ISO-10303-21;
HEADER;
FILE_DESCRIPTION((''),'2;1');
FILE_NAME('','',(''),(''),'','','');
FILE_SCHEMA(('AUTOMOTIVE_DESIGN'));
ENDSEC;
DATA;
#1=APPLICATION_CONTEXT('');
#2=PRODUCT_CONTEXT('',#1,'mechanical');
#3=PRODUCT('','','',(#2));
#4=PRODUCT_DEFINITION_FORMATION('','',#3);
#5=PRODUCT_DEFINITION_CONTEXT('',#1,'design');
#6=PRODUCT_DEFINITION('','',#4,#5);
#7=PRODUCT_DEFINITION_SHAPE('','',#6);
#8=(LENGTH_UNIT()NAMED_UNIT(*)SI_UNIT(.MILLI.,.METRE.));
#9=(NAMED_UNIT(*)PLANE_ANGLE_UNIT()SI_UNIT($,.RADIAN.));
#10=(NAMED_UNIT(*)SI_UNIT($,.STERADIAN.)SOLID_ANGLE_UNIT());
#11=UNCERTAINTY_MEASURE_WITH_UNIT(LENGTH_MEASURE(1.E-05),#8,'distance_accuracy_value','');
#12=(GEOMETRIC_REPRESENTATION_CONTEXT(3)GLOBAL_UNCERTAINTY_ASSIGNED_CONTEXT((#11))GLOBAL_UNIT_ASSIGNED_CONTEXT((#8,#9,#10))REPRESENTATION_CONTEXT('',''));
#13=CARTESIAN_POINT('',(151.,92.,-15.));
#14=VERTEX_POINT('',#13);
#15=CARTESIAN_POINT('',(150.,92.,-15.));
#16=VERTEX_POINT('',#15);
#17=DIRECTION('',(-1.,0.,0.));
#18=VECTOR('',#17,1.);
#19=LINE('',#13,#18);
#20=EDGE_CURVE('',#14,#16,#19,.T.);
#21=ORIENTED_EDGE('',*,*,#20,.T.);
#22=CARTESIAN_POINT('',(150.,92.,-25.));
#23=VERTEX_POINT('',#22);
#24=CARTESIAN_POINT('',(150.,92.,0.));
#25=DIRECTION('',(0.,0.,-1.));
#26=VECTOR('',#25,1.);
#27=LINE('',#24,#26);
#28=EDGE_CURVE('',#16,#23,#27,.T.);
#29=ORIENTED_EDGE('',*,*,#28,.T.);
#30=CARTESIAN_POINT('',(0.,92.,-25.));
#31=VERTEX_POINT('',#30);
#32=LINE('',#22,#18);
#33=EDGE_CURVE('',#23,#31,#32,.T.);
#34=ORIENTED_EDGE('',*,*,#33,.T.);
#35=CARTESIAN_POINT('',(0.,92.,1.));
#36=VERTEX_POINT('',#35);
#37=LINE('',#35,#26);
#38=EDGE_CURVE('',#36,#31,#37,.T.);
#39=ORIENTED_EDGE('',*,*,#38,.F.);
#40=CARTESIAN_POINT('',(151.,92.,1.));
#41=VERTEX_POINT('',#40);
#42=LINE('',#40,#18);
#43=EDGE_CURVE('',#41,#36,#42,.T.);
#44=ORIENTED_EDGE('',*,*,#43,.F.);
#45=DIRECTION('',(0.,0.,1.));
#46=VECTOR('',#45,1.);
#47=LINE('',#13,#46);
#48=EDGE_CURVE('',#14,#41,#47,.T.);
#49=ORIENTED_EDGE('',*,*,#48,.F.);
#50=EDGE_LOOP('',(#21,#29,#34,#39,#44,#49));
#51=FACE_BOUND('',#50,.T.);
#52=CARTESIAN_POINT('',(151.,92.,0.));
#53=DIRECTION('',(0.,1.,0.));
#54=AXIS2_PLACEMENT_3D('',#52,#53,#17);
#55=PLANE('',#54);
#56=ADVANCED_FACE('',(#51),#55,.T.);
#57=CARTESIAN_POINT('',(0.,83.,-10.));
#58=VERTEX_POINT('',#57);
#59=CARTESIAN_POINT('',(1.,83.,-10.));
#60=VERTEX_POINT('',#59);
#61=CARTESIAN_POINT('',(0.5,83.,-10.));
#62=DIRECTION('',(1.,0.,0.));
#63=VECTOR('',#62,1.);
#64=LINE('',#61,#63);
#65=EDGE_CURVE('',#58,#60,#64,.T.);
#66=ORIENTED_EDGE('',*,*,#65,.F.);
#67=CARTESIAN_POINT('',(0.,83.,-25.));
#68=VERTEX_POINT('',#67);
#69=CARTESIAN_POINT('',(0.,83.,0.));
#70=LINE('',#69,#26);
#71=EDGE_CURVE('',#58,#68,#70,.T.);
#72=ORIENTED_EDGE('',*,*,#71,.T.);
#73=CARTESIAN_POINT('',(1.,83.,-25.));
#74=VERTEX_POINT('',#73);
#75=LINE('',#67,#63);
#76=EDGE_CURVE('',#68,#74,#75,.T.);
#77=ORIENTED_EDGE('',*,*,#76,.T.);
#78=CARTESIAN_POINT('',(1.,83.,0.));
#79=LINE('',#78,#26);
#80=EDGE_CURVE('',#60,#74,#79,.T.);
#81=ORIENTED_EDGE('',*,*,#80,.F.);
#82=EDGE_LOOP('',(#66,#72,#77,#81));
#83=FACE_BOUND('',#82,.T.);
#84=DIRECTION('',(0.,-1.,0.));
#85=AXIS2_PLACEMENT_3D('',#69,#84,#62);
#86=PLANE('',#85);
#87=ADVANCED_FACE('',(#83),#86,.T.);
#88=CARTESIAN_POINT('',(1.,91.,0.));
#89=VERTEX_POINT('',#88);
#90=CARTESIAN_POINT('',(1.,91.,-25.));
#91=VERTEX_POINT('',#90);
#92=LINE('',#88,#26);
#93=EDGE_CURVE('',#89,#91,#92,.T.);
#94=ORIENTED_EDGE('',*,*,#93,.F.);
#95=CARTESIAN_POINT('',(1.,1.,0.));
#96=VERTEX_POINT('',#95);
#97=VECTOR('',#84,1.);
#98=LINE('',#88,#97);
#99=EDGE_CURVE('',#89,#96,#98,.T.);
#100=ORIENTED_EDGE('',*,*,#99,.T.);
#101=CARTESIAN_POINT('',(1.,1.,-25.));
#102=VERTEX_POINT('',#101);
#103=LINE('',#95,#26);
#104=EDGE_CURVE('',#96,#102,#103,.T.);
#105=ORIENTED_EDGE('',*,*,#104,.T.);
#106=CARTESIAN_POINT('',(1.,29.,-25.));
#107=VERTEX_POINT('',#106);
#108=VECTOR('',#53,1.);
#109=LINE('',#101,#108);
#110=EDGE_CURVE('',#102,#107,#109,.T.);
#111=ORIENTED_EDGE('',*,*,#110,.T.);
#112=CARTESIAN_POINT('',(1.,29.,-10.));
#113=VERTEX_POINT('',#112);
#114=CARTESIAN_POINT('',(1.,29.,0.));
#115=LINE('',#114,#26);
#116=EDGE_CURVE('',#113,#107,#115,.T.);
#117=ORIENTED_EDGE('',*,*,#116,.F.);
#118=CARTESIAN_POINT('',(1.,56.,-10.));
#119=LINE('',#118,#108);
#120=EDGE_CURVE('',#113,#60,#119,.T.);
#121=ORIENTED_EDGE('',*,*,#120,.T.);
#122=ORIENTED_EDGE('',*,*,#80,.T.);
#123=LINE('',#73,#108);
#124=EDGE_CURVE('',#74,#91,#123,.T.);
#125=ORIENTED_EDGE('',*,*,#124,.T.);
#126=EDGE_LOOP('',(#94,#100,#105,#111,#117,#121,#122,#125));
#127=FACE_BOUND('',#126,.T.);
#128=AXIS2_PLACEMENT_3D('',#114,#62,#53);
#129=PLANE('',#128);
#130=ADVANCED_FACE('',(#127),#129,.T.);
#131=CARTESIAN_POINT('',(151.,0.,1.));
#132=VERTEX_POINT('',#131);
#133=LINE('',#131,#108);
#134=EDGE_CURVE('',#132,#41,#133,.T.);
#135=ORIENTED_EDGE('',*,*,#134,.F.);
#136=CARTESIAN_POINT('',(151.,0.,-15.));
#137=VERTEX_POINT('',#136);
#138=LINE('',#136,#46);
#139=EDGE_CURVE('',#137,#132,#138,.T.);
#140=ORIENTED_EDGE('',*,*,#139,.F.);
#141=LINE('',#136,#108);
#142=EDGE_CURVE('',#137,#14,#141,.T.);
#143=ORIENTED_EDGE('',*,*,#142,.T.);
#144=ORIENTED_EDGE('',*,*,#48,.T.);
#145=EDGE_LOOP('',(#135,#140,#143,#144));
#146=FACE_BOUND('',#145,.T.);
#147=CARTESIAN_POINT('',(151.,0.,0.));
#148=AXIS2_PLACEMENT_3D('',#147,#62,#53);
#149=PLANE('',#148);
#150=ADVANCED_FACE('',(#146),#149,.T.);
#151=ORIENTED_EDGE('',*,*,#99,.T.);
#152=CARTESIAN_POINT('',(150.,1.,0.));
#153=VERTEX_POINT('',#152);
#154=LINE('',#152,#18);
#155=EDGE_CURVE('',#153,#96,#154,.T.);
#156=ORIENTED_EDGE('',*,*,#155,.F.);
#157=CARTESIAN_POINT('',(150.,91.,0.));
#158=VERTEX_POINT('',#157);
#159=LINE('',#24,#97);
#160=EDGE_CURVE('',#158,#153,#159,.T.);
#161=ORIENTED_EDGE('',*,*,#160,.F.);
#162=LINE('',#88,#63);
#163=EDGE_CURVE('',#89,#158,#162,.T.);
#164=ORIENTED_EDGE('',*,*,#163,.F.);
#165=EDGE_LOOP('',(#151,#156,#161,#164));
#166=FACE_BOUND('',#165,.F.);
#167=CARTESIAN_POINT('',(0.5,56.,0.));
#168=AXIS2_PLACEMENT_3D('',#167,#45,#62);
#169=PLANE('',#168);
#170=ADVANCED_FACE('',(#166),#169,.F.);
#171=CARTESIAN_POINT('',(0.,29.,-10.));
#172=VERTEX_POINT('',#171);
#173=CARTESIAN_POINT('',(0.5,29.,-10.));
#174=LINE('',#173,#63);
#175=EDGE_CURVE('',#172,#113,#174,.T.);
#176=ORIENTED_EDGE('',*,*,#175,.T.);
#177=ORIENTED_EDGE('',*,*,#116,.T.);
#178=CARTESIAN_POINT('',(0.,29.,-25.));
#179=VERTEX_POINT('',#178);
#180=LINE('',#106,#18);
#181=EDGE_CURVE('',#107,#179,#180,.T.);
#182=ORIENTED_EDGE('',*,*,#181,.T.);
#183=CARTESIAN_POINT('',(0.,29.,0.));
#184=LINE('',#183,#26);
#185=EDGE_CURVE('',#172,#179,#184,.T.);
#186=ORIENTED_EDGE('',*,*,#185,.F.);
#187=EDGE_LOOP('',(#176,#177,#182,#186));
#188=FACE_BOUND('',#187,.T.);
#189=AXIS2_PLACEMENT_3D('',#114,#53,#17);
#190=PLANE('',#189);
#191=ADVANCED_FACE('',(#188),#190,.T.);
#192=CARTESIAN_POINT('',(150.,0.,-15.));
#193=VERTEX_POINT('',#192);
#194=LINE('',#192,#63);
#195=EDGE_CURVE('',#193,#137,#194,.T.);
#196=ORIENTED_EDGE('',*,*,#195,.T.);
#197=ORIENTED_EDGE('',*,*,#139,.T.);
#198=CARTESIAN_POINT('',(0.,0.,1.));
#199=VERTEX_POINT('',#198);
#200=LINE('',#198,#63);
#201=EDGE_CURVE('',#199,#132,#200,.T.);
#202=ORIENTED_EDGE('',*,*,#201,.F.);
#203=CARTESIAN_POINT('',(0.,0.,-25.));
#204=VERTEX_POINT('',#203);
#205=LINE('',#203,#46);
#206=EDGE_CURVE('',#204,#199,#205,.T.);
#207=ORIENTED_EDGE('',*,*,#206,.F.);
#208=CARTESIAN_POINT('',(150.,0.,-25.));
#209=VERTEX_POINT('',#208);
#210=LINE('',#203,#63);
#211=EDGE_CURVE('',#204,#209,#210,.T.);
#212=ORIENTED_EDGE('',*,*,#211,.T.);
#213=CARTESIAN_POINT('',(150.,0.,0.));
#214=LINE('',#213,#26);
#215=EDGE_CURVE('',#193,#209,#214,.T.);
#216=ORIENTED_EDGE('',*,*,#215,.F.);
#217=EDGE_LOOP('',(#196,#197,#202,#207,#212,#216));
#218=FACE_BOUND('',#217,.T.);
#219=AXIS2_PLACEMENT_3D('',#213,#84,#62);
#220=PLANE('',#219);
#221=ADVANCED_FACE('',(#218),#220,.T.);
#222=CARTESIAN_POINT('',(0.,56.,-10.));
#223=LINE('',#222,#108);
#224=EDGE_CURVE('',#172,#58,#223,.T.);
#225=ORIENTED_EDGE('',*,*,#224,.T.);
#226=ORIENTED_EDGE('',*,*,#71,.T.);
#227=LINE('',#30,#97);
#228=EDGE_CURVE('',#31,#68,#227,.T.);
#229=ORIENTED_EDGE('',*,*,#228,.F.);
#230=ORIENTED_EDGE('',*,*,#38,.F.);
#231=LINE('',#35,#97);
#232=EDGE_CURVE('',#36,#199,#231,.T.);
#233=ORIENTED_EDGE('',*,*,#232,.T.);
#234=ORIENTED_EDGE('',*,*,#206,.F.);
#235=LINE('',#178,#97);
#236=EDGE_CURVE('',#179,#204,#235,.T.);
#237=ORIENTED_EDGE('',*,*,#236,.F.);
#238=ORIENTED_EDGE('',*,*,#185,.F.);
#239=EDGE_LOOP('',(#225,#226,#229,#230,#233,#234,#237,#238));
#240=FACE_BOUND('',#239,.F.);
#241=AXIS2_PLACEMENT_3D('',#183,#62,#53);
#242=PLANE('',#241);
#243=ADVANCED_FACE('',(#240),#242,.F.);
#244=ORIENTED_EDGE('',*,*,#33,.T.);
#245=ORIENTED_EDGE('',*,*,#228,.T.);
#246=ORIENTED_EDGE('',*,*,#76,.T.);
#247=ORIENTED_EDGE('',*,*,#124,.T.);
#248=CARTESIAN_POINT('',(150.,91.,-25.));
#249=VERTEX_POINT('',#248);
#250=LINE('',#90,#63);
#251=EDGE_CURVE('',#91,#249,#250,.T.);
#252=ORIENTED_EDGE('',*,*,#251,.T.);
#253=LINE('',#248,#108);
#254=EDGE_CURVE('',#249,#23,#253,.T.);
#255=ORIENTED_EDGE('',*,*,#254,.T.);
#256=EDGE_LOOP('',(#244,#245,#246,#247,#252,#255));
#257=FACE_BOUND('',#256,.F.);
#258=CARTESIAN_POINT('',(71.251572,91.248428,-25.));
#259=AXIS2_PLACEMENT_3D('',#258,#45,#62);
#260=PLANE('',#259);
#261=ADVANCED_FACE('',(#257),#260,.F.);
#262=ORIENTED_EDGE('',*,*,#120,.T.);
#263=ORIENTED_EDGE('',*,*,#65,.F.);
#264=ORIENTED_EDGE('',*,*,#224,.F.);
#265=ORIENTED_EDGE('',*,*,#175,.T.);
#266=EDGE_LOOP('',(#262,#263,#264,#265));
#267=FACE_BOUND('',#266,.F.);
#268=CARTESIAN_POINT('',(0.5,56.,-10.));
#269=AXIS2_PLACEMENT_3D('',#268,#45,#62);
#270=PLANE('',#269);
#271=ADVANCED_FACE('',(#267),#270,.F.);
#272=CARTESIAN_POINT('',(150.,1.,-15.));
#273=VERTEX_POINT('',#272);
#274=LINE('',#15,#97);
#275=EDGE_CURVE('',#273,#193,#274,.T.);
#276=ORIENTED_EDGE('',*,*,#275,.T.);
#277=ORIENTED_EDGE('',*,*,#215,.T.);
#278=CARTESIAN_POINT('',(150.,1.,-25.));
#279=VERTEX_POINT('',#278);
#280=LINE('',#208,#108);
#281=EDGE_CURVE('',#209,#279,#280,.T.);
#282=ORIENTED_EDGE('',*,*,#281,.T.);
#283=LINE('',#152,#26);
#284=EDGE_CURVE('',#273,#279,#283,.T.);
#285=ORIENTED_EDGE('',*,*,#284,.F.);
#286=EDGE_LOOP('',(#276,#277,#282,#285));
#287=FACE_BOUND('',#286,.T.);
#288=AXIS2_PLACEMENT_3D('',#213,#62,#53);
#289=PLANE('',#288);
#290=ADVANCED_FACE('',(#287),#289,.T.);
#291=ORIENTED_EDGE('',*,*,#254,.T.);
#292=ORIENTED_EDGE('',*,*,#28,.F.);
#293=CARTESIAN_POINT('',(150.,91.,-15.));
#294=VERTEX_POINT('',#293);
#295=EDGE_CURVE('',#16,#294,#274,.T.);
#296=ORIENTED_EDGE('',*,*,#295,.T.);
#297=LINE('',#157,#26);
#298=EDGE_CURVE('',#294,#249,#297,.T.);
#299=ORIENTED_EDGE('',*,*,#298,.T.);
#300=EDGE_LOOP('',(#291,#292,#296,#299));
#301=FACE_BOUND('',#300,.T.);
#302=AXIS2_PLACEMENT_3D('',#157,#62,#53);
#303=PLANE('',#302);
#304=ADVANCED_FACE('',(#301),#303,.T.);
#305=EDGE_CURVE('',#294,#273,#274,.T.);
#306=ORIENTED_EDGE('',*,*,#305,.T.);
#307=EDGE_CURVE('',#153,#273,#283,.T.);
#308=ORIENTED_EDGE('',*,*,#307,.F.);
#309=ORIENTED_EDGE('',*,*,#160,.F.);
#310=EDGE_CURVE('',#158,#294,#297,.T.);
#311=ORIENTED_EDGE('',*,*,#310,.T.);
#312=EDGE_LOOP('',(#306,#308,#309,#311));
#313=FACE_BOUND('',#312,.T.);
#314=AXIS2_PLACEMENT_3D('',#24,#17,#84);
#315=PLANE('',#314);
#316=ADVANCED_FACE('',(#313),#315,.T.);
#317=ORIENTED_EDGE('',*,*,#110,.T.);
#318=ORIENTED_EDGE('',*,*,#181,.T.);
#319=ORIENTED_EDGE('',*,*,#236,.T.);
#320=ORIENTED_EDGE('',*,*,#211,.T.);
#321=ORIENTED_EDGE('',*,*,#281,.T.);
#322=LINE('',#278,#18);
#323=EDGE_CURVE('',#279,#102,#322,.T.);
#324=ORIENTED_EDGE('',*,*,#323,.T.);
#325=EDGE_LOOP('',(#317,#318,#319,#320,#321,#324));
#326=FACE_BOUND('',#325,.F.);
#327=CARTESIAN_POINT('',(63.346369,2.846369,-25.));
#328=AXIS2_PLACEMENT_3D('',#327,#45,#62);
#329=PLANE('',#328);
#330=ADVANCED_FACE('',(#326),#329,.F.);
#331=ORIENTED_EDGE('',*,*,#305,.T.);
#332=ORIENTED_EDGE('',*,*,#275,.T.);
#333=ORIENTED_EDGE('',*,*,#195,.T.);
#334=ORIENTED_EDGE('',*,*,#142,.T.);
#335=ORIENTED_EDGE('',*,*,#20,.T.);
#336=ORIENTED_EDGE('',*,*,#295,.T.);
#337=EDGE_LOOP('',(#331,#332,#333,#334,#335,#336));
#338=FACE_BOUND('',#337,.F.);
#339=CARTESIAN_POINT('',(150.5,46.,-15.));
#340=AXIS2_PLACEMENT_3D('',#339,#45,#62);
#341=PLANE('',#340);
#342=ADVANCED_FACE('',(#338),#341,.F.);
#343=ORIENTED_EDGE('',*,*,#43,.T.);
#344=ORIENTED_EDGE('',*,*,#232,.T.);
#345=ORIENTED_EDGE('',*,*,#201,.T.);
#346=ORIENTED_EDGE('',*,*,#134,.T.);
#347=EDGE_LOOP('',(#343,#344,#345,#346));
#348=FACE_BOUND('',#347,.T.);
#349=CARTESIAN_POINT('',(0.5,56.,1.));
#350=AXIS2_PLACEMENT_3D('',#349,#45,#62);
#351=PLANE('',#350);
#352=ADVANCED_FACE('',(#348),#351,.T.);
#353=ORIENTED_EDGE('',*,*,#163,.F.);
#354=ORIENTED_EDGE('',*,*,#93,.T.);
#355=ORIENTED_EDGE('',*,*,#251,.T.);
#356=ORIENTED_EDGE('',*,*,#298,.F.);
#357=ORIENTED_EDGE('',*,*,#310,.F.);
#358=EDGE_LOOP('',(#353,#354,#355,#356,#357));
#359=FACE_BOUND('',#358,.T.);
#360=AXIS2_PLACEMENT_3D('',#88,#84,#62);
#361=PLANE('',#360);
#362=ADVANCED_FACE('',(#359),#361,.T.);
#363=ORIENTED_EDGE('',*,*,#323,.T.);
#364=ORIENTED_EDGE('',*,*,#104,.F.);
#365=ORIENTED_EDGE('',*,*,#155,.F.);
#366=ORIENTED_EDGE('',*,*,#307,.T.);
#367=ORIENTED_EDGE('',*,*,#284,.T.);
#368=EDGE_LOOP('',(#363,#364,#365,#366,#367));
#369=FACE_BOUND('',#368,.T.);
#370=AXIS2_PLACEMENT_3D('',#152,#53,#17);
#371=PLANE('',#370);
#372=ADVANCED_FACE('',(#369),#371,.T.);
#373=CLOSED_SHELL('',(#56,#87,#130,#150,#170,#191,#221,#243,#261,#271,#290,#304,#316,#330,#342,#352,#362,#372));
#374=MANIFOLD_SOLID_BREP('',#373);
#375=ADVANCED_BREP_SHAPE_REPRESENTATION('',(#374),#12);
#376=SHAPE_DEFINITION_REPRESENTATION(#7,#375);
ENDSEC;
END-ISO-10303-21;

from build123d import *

# Parameters (mm, degrees)
F0_W     = 1
F0_H     = 54
F1_DEPTH = 1
F2_DEPTH = 25
F3_DEPTH = 10
F4_DEPTH = 15


with BuildPart() as f1:
    # F0 (on Top) → F1 (new body)
    with BuildSketch(Plane.XY):
        with Locations((0.5, 56)):
            Rectangle(F0_W, F0_H)
        Polygon((150, 1), (150, 0), (151, 0), (151, 92), (150, 92), (150, 91), align=None)
        Polygon((1, 1), (150, 1), (150, 91), (1, 91), (1, 83), (1, 29), align=None)
        Polygon((0, 92), (0, 83), (1, 83), (1, 91), (150, 91), (150, 92), align=None)
        Polygon((0, 29), (0, 0), (150, 0), (150, 1), (1, 1), (1, 29), align=None)
    extrude(amount=F1_DEPTH)

    # F0 (on Top) → F2 (join)
    with BuildSketch(Plane.XY):
        Polygon((0, 29), (0, 0), (150, 0), (150, 1), (1, 1), (1, 29), align=None)
        Polygon((0, 92), (0, 83), (1, 83), (1, 91), (150, 91), (150, 92), align=None)
    extrude(amount=-F2_DEPTH)

    # F0 (on Top) → F3 (join)
    with BuildSketch(Plane.XY):
        with Locations((0.5, 56)):
            Rectangle(F0_W, F0_H)
    extrude(amount=-F3_DEPTH)

    # F0 (on Top) → F4 (join)
    with BuildSketch(Plane.XY):
        Polygon((150, 1), (150, 0), (151, 0), (151, 92), (150, 92), (150, 91), align=None)
    extrude(amount=-F4_DEPTH)


solid = f1.part
